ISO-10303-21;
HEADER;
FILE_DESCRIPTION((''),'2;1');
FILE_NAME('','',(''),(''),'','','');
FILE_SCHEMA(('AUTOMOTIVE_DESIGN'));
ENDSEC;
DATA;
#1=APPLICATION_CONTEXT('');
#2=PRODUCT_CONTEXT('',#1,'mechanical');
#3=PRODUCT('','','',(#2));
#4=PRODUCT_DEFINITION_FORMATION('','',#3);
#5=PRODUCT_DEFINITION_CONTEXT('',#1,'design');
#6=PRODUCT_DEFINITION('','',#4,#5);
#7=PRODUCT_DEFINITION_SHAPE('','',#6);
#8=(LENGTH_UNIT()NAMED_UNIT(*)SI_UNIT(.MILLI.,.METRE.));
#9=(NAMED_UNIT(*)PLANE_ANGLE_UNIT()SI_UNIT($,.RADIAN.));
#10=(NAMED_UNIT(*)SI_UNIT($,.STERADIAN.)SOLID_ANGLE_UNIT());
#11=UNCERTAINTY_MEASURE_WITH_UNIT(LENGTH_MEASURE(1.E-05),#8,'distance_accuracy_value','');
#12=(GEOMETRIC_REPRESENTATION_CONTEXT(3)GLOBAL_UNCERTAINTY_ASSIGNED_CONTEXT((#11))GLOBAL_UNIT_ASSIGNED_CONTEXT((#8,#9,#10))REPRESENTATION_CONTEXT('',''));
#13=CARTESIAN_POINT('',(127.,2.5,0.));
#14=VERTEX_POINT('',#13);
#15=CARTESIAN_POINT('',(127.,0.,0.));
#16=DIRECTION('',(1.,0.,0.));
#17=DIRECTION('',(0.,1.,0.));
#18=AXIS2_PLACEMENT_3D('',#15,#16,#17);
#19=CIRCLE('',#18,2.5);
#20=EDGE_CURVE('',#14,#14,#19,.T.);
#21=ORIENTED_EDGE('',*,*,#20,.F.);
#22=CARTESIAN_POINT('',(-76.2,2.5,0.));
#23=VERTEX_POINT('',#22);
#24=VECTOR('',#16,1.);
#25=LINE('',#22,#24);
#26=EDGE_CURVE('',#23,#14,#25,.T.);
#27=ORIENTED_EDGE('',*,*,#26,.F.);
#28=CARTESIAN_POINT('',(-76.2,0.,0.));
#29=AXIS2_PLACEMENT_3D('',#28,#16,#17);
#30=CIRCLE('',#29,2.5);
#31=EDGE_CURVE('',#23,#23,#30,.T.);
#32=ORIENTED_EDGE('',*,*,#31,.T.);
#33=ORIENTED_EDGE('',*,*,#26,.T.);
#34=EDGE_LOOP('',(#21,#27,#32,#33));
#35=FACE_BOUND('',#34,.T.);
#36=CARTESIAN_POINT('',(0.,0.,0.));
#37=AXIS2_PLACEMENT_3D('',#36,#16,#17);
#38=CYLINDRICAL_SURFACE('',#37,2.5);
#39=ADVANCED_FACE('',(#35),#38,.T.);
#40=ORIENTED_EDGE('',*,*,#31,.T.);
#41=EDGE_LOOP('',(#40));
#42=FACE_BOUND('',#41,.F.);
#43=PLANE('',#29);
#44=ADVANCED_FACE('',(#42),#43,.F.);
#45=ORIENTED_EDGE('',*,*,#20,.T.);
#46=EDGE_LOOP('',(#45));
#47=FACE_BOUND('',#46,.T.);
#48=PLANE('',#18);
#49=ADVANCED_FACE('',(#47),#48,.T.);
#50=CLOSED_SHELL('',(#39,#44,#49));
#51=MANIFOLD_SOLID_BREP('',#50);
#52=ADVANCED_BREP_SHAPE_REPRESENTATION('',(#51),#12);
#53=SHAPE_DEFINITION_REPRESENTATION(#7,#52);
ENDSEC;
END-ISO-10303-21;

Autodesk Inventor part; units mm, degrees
ref_plane "YZ Plane" through (0, 0, 0) normal (1, 0, 0) x (0, 1, 0)
ref_plane "XZ Plane" through (0, 0, 0) normal (0, 1, 0) x (-1, 0, 0)
ref_plane "XY Plane" through (0, 0, 0) normal (0, 0, 1) x (1, 0, 0)
sketch "Sketch1" plane through (0, 0, 0) normal (1, 0, 0) x (0, 1, 0)
  circle A0 centre (0, 0) radius 2.5
  dimension "d0" = 5
extrude "Extrusion1" add sketch "Sketch1" against normal blind 76.2 and the other way blind 127
thread "Thread1" size "M1x0.25" class "6g" standard "ISO Metric profile" full length
properties part number "barre filté 2"
